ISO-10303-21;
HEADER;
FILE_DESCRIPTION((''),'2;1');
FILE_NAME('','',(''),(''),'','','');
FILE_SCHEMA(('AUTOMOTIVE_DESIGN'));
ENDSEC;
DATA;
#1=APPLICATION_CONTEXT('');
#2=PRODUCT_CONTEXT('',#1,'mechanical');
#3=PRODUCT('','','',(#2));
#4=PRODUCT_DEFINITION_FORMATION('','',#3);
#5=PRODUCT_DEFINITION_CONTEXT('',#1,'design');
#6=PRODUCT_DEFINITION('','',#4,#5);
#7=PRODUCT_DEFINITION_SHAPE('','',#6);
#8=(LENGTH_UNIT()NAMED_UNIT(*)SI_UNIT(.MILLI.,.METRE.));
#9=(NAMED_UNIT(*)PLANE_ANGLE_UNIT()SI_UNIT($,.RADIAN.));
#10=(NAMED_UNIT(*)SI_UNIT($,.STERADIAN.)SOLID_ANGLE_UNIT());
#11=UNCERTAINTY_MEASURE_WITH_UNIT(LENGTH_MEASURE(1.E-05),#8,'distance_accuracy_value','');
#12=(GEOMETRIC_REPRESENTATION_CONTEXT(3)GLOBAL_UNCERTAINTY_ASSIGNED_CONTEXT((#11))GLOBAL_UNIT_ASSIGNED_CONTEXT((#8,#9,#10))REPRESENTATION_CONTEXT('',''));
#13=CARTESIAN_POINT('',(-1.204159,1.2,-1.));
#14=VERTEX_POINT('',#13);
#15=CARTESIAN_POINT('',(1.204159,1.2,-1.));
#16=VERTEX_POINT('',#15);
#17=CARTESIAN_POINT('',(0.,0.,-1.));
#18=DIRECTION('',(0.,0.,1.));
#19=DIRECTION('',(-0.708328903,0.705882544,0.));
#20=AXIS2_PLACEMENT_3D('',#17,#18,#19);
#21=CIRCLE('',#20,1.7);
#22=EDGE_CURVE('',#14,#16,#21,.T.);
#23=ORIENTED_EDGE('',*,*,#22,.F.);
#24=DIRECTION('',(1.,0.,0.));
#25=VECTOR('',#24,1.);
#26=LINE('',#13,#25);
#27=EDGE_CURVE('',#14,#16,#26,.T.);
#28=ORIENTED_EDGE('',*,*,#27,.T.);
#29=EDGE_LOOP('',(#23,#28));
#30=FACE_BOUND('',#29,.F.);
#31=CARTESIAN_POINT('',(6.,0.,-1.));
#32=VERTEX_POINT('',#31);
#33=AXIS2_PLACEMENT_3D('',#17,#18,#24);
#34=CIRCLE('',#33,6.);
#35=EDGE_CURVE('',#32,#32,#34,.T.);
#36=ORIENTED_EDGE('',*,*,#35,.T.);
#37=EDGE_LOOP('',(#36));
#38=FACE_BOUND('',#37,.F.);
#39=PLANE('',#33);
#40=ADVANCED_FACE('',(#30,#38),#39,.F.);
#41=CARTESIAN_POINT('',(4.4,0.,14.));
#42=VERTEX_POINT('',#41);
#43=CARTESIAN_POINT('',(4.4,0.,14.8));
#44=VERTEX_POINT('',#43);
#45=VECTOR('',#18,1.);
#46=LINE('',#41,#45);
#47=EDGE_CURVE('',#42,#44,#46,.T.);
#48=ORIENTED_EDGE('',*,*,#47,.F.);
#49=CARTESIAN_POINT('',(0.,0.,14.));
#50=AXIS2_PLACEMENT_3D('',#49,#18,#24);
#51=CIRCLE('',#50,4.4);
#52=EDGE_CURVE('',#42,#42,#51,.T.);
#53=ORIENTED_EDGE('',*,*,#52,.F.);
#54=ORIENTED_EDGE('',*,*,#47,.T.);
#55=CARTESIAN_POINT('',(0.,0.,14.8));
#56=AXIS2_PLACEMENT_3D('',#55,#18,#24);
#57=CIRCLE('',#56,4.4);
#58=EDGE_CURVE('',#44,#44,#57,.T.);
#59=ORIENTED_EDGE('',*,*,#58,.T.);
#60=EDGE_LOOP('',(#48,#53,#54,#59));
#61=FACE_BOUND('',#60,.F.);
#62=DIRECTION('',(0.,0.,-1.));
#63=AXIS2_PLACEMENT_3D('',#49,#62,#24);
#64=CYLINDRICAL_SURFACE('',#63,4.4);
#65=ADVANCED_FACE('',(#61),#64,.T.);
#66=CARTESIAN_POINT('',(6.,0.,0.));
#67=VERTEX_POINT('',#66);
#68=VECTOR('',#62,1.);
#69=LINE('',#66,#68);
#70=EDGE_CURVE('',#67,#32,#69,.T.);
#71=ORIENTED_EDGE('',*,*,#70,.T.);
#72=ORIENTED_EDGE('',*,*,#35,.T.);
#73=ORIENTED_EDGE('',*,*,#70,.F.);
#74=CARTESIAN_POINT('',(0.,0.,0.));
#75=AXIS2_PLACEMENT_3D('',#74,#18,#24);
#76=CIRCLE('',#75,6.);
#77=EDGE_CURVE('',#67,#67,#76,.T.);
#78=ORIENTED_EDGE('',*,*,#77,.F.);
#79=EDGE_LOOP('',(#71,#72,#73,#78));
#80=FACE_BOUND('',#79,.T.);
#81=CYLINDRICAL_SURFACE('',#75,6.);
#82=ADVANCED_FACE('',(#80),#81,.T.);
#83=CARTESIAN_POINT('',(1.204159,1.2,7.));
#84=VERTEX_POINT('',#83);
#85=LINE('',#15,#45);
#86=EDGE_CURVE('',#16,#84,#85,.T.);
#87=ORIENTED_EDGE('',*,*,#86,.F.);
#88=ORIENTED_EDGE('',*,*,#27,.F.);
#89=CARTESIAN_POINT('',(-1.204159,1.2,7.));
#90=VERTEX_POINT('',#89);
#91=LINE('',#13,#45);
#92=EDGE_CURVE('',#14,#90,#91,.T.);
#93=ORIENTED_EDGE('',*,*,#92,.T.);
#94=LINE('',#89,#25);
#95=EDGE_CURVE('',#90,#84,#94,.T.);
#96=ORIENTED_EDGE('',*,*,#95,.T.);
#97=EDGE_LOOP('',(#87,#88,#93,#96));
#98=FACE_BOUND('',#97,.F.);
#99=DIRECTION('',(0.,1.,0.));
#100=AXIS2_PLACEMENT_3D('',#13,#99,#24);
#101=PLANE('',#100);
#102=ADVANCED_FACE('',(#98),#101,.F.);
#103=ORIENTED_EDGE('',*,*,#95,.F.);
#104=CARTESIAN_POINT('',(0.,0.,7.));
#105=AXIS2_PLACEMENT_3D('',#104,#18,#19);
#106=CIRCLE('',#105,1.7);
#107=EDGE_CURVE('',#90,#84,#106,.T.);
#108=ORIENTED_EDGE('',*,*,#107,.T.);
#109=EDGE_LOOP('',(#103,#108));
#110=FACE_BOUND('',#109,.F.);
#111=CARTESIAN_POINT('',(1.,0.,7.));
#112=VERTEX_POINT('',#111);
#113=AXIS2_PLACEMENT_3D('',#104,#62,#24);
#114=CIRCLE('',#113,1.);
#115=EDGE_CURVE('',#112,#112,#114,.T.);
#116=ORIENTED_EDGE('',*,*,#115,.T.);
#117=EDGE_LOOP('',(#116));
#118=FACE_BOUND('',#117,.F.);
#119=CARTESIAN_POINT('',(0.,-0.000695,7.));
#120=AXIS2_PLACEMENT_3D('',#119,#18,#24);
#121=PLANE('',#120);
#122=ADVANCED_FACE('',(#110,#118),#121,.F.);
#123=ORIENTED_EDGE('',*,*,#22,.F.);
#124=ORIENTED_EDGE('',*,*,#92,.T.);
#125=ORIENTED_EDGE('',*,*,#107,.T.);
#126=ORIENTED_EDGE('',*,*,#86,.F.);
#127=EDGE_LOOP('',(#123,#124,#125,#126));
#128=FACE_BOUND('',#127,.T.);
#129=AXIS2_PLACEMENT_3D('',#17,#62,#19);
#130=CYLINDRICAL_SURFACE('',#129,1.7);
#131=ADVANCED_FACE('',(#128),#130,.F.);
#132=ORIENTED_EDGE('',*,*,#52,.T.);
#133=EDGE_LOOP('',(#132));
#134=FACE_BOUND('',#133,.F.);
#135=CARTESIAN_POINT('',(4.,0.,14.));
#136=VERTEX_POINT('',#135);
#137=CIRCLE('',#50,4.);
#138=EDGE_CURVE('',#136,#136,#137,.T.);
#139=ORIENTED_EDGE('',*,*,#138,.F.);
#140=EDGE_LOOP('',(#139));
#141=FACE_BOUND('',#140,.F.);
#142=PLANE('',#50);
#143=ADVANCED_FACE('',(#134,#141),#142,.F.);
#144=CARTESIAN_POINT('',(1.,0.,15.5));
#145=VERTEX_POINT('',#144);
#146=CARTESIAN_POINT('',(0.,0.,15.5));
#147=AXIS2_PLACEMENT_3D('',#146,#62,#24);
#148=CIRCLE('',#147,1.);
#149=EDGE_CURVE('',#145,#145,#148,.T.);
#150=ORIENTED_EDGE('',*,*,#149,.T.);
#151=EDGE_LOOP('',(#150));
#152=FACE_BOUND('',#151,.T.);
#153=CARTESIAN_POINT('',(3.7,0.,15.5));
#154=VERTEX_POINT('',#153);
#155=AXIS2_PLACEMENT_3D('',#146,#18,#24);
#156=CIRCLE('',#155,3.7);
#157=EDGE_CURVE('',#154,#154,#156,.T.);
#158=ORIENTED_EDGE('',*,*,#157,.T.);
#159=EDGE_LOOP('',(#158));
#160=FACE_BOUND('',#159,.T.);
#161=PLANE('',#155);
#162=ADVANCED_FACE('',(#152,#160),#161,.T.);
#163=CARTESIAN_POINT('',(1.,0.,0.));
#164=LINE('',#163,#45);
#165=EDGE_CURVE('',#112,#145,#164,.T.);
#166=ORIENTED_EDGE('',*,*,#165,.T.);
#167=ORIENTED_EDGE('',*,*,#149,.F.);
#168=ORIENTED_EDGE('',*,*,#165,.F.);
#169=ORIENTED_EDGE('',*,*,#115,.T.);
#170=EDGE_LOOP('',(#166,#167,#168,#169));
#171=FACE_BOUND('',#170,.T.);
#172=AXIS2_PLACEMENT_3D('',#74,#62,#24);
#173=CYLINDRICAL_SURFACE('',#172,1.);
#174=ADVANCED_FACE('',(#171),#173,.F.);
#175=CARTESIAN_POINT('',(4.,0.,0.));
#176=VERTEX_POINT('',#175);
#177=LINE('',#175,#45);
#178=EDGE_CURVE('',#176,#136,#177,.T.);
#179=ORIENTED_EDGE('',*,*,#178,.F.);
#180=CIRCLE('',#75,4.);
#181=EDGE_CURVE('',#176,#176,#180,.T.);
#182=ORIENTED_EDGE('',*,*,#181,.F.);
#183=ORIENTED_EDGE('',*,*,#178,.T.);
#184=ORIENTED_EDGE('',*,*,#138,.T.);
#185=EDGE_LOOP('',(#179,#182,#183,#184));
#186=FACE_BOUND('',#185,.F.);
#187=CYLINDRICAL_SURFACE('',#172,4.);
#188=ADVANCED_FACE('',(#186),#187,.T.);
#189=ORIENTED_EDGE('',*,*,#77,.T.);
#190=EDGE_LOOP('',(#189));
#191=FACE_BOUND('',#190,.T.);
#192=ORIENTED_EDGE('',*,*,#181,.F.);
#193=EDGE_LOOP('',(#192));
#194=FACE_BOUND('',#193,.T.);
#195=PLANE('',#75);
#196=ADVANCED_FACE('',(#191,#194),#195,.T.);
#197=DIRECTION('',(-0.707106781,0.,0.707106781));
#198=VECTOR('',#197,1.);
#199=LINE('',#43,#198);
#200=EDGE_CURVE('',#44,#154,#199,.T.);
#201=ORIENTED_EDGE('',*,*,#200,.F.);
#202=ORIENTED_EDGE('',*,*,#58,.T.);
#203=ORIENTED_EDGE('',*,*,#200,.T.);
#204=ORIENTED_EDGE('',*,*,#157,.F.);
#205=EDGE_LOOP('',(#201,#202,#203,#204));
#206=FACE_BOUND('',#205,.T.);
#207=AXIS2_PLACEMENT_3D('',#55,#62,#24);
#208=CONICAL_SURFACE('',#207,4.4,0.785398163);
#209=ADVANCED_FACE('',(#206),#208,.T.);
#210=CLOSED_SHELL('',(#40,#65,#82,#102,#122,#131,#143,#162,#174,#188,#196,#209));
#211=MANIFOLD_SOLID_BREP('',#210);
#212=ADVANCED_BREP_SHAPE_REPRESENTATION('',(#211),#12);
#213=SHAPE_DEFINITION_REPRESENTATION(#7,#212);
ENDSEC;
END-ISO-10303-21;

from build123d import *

# Parameters (mm, degrees)
SKETCH_R             = 4
PAD_DEPTH            = 14
SKETCH001_R          = 4.4
PAD001_DEPTH         = 1.5
CHAMFER_SIZE         = 0.7
SKETCH002_R          = 6
PAD002_DEPTH         = 1
POCKET_DEPTH         = 8
SKETCH004_R          = 1
POCKET001_DEPTH      = 1.001
POCKET001_DEPTH_BACK = -15.501


with BuildPart() as part:
    # Sketch → Pad (new body)
    with BuildSketch(Plane.XY):
        Circle(SKETCH_R)
    extrude(amount=PAD_DEPTH)

    # Sketch001 (on Face3 of Pad) → Pad001 (join)
    with BuildSketch(Plane.XY.offset(14)):
        Circle(SKETCH001_R)
    extrude(amount=PAD001_DEPTH)

    # Chamfer
    chamfer_edges = [part.edges().sort_by_distance(p)[0] for p in [
        (-4.4, 0, 15.5),
    ]]
    chamfer(chamfer_edges, length=CHAMFER_SIZE)

    # Sketch002 → Pad002 (join)
    with BuildSketch(Plane.XY):
        Circle(SKETCH002_R)
    extrude(amount=-PAD002_DEPTH)

    # Sketch003 → Pocket (cut)
    with BuildSketch(Plane.XY.offset(-1)):
        with BuildLine():
            ThreePointArc((-1.204159, 1.2), (0, -1.7), (1.204159, 1.2))
            Line((-1.204159, 1.2), (1.204159, 1.2))
        make_face()
    extrude(amount=POCKET_DEPTH, mode=Mode.SUBTRACT)

    # Sketch004 → Pocket001 (cut, two sides)
    with BuildSketch(Plane.XY) as pocket001_sk:
        Circle(SKETCH004_R)
    extrude(amount=-POCKET001_DEPTH, mode=Mode.SUBTRACT)
    extrude(pocket001_sk.sketch, amount=-POCKET001_DEPTH_BACK, mode=Mode.SUBTRACT)


solid = part.part
